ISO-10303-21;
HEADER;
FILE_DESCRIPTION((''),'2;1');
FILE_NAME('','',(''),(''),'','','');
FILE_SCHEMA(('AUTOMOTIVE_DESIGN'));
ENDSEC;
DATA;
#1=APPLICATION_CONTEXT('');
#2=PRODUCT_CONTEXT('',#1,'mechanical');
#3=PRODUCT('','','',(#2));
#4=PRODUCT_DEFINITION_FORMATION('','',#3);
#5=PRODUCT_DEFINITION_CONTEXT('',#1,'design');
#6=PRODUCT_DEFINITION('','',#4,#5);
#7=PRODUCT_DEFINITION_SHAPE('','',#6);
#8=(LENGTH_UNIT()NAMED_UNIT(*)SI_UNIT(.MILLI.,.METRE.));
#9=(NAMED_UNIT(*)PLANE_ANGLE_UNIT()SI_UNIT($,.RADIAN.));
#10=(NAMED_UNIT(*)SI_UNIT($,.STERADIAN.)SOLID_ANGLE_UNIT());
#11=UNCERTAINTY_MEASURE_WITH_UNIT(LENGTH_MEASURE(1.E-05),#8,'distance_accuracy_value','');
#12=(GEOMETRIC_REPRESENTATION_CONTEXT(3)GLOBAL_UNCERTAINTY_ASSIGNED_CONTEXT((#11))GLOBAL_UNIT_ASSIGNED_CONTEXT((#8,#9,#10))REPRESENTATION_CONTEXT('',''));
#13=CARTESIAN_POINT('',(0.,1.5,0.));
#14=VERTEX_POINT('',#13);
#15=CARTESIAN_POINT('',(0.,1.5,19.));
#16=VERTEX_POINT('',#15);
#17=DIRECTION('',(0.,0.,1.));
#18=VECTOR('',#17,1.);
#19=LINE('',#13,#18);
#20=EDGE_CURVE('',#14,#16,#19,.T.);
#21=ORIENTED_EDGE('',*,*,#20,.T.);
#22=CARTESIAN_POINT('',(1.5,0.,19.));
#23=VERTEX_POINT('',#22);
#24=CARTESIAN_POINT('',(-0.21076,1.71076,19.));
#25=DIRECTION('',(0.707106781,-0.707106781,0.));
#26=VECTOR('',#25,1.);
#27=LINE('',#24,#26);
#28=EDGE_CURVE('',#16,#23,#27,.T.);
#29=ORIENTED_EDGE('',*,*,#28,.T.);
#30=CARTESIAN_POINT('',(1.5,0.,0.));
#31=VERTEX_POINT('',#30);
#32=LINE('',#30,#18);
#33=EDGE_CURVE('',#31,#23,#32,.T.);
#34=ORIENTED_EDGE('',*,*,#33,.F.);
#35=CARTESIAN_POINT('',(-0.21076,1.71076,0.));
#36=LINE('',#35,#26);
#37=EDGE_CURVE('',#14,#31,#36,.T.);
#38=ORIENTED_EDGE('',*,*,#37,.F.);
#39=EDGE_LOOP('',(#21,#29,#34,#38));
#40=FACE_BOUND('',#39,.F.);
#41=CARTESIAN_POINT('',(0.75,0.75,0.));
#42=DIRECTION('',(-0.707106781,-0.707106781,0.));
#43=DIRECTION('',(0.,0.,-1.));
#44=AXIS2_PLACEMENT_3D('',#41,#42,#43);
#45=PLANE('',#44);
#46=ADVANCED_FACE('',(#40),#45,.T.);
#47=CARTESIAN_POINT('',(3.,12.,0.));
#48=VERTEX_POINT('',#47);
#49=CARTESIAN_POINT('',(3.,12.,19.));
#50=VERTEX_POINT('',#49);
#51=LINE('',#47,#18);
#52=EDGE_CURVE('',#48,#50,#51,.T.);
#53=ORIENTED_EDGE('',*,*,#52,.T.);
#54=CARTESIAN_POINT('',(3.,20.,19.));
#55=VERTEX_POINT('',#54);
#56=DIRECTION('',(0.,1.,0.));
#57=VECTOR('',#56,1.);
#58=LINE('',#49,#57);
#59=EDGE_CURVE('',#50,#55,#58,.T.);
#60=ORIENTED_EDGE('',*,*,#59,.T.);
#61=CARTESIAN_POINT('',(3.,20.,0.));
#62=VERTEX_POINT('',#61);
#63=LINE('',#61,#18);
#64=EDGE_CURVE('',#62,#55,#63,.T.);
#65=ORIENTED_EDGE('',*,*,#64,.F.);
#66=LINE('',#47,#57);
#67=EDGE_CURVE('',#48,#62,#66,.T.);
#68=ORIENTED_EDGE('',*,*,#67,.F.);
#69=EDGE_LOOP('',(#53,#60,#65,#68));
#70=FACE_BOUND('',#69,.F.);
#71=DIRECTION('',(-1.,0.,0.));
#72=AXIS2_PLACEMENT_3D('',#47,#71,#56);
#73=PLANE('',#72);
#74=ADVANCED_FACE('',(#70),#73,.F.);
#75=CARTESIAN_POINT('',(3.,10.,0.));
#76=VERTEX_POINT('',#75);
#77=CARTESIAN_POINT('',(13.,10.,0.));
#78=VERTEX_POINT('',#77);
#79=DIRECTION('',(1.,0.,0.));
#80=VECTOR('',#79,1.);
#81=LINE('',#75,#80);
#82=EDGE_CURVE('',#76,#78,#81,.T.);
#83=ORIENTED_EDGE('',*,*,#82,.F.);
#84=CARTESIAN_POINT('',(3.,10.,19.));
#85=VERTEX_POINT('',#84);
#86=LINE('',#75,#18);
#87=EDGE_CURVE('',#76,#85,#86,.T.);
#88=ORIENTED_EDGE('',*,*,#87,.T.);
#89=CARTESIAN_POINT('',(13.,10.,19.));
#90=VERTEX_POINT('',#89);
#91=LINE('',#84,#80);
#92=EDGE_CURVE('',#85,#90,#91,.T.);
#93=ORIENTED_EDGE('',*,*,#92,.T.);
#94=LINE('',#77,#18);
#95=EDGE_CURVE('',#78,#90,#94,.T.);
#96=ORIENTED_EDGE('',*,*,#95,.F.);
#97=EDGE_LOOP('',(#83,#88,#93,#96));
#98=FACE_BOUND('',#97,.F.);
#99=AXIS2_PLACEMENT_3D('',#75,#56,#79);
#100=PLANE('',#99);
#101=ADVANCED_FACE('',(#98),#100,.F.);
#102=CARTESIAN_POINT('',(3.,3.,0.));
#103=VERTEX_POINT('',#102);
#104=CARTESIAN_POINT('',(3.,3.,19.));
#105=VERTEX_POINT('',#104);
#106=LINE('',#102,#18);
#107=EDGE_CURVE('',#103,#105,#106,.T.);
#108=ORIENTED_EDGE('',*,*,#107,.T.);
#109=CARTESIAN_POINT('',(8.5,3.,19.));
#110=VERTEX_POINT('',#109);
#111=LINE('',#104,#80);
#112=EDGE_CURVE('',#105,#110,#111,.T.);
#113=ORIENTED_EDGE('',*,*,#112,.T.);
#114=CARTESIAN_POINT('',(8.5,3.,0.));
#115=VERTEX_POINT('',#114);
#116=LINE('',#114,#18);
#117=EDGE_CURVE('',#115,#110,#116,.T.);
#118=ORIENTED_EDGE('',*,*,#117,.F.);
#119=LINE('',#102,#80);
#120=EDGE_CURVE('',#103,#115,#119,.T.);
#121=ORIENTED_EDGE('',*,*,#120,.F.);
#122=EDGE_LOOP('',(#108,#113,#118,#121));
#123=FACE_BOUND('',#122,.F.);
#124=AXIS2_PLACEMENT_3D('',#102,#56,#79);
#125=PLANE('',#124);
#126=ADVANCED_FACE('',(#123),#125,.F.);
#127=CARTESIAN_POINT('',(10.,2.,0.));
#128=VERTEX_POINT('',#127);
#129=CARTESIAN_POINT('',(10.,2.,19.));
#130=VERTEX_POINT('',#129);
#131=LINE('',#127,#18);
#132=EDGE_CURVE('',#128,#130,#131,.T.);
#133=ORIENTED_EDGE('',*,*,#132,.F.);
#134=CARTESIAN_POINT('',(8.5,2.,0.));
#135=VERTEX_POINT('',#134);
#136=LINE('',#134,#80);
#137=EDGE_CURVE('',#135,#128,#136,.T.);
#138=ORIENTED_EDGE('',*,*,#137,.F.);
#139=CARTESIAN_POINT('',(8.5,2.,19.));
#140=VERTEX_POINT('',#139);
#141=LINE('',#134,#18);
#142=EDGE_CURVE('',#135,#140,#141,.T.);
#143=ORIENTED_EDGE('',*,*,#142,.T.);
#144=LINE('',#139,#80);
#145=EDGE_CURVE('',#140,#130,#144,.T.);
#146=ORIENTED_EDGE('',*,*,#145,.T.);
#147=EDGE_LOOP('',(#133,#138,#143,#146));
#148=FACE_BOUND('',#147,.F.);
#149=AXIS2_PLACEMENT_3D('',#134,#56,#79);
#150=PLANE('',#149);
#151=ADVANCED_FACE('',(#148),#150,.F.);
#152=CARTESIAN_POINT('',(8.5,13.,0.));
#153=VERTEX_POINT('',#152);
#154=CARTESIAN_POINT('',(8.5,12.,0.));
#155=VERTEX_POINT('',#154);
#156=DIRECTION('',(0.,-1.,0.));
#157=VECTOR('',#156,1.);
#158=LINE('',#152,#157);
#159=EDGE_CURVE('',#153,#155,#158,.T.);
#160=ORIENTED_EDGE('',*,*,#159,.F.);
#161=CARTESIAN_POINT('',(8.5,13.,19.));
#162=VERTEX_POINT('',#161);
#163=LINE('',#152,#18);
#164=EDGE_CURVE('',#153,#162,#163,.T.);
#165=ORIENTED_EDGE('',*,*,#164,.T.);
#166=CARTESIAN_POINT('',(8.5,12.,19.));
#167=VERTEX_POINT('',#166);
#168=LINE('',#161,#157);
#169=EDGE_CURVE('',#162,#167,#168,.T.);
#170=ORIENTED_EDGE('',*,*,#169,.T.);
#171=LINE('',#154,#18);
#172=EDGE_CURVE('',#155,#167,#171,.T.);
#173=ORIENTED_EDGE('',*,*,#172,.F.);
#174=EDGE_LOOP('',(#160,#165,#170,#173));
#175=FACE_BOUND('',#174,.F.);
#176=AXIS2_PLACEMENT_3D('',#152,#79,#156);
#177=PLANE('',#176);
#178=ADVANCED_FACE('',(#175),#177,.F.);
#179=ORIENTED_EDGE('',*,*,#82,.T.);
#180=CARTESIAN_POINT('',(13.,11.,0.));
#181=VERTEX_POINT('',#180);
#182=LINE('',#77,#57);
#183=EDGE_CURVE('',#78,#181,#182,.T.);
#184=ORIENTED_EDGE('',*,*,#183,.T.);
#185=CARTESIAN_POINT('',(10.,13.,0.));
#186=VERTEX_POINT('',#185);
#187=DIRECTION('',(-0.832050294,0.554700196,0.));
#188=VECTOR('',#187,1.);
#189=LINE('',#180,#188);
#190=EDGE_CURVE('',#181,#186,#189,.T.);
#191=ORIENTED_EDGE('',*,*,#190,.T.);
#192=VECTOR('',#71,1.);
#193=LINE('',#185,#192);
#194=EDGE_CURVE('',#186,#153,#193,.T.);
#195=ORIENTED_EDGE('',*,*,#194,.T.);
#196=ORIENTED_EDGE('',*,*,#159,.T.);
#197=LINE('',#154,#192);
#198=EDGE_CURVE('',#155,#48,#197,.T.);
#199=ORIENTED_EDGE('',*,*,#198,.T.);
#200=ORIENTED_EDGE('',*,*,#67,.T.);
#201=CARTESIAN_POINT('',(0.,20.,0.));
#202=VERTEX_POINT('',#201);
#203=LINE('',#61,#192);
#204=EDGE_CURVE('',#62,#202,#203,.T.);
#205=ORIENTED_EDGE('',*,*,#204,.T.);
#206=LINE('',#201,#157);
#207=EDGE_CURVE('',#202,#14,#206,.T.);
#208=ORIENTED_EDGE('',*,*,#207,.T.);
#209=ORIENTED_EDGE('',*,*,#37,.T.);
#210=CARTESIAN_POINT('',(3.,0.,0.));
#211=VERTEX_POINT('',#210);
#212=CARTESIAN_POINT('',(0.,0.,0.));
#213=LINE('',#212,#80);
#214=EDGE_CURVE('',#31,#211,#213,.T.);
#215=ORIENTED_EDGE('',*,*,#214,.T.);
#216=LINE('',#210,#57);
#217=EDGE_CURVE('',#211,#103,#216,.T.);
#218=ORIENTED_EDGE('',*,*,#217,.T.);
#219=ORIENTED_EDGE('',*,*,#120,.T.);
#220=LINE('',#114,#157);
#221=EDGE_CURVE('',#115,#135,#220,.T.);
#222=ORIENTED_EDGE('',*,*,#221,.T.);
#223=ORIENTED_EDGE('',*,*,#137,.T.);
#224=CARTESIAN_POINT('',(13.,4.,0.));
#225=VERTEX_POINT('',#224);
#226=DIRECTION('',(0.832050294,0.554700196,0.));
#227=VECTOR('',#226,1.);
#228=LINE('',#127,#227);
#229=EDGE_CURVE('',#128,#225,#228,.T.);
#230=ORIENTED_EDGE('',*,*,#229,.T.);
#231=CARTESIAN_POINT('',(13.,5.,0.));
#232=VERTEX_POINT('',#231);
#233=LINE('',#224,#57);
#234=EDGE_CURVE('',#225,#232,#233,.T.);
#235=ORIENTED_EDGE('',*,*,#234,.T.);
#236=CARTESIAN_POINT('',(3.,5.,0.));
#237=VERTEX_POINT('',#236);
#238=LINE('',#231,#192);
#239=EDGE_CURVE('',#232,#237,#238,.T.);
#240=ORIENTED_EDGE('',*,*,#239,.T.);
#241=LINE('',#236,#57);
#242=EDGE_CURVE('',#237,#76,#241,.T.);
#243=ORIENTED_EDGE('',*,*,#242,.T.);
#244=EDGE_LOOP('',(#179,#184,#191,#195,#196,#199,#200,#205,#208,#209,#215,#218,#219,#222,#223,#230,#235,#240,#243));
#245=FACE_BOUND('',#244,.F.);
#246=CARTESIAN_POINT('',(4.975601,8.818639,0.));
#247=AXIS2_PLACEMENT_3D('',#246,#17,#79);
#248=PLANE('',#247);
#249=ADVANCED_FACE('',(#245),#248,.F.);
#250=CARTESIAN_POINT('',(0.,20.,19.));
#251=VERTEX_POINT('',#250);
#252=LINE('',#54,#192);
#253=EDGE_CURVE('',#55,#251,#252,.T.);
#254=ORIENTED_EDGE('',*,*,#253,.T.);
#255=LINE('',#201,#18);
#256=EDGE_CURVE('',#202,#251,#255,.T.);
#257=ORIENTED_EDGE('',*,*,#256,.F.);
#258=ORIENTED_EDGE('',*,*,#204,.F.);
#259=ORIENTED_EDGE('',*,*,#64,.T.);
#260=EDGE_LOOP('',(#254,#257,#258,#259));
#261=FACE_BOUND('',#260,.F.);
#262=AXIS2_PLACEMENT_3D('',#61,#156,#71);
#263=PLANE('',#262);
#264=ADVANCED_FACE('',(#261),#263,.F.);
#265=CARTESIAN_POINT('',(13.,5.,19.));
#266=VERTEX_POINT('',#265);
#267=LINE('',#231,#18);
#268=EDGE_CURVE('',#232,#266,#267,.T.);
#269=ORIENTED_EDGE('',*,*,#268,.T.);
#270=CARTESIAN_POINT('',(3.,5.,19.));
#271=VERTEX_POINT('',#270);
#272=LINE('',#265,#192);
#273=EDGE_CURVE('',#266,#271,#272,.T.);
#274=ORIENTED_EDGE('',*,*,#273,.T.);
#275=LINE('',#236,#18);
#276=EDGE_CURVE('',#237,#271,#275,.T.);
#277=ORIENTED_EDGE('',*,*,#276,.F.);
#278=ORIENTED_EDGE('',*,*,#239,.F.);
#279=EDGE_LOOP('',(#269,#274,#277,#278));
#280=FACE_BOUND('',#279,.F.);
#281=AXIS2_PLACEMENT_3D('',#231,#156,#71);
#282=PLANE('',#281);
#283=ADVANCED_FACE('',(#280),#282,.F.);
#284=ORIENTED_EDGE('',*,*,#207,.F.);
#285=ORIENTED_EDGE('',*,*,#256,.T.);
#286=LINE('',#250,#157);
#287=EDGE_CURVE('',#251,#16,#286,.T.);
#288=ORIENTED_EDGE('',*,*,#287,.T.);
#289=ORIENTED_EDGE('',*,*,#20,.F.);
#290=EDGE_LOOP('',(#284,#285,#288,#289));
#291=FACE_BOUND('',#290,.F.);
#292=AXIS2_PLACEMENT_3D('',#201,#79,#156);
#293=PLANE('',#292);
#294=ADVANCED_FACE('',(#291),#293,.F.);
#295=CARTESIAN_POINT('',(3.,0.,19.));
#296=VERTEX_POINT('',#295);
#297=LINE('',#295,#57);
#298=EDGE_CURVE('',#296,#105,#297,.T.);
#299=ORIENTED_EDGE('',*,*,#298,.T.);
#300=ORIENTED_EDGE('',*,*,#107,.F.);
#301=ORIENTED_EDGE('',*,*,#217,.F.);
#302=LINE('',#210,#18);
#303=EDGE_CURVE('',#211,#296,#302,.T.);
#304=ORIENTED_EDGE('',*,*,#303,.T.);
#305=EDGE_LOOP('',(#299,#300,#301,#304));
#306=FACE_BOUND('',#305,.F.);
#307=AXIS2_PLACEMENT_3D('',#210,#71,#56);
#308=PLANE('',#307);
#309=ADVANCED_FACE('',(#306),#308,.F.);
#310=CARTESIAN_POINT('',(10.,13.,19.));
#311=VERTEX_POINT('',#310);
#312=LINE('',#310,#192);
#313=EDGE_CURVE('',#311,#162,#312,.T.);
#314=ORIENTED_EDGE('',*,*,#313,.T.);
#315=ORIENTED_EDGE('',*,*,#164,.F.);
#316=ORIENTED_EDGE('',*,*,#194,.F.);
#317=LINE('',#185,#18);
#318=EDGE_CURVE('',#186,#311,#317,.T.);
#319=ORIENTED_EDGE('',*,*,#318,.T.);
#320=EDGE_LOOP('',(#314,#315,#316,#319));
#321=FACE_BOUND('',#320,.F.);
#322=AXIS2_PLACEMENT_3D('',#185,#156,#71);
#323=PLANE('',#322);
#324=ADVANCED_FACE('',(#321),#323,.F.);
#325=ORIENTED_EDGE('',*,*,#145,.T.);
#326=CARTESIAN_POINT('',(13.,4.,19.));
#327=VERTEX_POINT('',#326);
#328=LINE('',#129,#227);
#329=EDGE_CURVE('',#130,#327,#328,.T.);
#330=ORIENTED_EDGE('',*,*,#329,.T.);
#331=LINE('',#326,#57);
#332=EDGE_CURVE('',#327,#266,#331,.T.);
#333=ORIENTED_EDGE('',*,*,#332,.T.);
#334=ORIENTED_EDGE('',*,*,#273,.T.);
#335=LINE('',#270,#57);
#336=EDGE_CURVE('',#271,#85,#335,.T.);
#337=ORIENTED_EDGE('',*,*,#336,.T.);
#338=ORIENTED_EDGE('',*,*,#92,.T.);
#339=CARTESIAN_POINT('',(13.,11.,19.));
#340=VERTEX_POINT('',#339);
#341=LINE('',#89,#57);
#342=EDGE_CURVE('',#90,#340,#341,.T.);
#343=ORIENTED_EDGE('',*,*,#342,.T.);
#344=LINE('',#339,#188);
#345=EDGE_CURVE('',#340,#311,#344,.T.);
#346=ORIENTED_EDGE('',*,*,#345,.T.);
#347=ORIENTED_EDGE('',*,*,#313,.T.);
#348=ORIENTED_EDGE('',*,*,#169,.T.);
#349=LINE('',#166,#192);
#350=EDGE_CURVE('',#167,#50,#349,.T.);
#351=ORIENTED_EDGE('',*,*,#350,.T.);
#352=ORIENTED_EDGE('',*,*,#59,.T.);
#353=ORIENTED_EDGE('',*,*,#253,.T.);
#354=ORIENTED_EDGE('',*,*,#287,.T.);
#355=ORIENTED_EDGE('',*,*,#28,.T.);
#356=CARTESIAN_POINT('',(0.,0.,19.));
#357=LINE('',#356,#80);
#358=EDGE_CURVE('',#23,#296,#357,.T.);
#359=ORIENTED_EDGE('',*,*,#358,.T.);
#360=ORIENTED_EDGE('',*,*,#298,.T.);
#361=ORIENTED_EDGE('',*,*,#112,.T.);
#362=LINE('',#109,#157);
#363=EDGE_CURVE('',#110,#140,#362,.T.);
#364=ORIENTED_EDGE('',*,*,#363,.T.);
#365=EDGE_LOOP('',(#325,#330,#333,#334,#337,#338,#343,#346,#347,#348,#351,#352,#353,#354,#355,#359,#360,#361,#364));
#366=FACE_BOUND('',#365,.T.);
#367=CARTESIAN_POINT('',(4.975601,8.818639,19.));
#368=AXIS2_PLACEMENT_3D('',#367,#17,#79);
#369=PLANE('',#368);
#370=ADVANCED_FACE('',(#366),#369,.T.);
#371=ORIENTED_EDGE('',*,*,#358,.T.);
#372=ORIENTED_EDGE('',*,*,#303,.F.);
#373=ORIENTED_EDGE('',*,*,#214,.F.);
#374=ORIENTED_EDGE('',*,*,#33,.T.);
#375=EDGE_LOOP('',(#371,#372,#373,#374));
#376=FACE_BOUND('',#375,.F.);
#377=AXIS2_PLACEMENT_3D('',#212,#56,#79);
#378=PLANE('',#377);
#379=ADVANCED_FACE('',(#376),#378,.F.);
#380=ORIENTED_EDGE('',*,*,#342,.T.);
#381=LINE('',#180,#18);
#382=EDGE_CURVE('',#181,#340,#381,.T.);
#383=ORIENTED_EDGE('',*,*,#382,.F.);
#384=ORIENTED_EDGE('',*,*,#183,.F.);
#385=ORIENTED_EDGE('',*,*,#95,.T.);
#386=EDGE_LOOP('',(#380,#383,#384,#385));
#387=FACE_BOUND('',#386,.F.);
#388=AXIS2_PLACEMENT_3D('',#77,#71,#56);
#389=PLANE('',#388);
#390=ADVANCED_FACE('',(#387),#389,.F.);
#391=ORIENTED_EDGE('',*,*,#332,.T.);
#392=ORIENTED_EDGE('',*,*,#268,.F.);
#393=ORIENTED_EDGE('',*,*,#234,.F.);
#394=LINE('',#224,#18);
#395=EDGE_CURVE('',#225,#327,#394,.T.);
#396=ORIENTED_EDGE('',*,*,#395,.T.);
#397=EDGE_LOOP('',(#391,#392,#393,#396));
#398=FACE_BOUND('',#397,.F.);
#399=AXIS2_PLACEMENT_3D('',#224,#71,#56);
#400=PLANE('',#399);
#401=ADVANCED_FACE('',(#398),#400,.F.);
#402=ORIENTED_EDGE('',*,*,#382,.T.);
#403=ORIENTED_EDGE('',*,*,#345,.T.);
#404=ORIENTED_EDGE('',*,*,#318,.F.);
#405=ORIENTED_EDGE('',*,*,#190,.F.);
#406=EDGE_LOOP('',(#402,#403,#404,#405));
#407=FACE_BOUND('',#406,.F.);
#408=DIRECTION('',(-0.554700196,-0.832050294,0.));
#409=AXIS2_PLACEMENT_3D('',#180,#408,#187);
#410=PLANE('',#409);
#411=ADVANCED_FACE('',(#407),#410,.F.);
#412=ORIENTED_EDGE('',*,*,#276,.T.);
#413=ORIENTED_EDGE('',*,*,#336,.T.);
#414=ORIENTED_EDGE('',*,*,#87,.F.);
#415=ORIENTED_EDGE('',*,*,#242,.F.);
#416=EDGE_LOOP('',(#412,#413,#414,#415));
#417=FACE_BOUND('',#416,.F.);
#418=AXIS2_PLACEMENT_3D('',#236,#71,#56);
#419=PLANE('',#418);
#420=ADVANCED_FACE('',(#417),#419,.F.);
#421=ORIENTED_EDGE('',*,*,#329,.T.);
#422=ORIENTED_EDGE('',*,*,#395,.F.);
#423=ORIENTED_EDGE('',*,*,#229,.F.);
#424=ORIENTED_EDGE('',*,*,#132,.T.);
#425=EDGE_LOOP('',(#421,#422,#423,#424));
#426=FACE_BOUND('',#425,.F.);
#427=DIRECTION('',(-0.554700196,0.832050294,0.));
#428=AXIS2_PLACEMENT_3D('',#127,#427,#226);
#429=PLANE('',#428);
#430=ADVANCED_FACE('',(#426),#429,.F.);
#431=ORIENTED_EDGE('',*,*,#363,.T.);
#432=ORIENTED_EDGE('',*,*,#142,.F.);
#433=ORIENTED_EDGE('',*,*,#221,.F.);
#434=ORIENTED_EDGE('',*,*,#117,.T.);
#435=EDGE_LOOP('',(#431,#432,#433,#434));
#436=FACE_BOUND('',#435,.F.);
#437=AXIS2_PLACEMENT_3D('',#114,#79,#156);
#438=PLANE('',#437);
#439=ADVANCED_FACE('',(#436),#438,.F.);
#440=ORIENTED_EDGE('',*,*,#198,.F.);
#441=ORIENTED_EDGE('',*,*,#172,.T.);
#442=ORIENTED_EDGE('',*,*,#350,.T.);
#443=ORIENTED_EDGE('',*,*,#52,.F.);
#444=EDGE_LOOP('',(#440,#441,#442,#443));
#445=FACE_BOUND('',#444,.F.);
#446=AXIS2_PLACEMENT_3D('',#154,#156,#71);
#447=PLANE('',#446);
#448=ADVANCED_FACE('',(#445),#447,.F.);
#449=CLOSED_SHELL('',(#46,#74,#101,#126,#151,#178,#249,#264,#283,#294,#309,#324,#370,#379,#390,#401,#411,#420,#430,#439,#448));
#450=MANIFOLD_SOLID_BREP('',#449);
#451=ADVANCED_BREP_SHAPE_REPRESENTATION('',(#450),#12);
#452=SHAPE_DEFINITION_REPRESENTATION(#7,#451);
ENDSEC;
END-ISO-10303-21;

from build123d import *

# Parameters (mm, degrees)
F1_DEPTH = 19
F2_SIZE  = 1.5


with BuildPart() as f1:
    # F0 (on Top) → F1 (new body)
    with BuildSketch(Plane.XY):
        Polygon((0, 20), (0, 0), (3, 0), (3, 3), (8.5, 3), (8.5, 2), (10, 2), (13, 4), (13, 5), (3, 5), (3, 10), (13, 10), (13, 11), (10, 13), (8.5, 13), (8.5, 12), (3, 12), (3, 20), align=None)
    extrude(amount=F1_DEPTH)

    # F2
    f2_edges = [f1.edges().sort_by_distance(p)[0] for p in [
        (0, 0, 9.5),
    ]]
    chamfer(f2_edges, length=F2_SIZE)


solid = f1.part
